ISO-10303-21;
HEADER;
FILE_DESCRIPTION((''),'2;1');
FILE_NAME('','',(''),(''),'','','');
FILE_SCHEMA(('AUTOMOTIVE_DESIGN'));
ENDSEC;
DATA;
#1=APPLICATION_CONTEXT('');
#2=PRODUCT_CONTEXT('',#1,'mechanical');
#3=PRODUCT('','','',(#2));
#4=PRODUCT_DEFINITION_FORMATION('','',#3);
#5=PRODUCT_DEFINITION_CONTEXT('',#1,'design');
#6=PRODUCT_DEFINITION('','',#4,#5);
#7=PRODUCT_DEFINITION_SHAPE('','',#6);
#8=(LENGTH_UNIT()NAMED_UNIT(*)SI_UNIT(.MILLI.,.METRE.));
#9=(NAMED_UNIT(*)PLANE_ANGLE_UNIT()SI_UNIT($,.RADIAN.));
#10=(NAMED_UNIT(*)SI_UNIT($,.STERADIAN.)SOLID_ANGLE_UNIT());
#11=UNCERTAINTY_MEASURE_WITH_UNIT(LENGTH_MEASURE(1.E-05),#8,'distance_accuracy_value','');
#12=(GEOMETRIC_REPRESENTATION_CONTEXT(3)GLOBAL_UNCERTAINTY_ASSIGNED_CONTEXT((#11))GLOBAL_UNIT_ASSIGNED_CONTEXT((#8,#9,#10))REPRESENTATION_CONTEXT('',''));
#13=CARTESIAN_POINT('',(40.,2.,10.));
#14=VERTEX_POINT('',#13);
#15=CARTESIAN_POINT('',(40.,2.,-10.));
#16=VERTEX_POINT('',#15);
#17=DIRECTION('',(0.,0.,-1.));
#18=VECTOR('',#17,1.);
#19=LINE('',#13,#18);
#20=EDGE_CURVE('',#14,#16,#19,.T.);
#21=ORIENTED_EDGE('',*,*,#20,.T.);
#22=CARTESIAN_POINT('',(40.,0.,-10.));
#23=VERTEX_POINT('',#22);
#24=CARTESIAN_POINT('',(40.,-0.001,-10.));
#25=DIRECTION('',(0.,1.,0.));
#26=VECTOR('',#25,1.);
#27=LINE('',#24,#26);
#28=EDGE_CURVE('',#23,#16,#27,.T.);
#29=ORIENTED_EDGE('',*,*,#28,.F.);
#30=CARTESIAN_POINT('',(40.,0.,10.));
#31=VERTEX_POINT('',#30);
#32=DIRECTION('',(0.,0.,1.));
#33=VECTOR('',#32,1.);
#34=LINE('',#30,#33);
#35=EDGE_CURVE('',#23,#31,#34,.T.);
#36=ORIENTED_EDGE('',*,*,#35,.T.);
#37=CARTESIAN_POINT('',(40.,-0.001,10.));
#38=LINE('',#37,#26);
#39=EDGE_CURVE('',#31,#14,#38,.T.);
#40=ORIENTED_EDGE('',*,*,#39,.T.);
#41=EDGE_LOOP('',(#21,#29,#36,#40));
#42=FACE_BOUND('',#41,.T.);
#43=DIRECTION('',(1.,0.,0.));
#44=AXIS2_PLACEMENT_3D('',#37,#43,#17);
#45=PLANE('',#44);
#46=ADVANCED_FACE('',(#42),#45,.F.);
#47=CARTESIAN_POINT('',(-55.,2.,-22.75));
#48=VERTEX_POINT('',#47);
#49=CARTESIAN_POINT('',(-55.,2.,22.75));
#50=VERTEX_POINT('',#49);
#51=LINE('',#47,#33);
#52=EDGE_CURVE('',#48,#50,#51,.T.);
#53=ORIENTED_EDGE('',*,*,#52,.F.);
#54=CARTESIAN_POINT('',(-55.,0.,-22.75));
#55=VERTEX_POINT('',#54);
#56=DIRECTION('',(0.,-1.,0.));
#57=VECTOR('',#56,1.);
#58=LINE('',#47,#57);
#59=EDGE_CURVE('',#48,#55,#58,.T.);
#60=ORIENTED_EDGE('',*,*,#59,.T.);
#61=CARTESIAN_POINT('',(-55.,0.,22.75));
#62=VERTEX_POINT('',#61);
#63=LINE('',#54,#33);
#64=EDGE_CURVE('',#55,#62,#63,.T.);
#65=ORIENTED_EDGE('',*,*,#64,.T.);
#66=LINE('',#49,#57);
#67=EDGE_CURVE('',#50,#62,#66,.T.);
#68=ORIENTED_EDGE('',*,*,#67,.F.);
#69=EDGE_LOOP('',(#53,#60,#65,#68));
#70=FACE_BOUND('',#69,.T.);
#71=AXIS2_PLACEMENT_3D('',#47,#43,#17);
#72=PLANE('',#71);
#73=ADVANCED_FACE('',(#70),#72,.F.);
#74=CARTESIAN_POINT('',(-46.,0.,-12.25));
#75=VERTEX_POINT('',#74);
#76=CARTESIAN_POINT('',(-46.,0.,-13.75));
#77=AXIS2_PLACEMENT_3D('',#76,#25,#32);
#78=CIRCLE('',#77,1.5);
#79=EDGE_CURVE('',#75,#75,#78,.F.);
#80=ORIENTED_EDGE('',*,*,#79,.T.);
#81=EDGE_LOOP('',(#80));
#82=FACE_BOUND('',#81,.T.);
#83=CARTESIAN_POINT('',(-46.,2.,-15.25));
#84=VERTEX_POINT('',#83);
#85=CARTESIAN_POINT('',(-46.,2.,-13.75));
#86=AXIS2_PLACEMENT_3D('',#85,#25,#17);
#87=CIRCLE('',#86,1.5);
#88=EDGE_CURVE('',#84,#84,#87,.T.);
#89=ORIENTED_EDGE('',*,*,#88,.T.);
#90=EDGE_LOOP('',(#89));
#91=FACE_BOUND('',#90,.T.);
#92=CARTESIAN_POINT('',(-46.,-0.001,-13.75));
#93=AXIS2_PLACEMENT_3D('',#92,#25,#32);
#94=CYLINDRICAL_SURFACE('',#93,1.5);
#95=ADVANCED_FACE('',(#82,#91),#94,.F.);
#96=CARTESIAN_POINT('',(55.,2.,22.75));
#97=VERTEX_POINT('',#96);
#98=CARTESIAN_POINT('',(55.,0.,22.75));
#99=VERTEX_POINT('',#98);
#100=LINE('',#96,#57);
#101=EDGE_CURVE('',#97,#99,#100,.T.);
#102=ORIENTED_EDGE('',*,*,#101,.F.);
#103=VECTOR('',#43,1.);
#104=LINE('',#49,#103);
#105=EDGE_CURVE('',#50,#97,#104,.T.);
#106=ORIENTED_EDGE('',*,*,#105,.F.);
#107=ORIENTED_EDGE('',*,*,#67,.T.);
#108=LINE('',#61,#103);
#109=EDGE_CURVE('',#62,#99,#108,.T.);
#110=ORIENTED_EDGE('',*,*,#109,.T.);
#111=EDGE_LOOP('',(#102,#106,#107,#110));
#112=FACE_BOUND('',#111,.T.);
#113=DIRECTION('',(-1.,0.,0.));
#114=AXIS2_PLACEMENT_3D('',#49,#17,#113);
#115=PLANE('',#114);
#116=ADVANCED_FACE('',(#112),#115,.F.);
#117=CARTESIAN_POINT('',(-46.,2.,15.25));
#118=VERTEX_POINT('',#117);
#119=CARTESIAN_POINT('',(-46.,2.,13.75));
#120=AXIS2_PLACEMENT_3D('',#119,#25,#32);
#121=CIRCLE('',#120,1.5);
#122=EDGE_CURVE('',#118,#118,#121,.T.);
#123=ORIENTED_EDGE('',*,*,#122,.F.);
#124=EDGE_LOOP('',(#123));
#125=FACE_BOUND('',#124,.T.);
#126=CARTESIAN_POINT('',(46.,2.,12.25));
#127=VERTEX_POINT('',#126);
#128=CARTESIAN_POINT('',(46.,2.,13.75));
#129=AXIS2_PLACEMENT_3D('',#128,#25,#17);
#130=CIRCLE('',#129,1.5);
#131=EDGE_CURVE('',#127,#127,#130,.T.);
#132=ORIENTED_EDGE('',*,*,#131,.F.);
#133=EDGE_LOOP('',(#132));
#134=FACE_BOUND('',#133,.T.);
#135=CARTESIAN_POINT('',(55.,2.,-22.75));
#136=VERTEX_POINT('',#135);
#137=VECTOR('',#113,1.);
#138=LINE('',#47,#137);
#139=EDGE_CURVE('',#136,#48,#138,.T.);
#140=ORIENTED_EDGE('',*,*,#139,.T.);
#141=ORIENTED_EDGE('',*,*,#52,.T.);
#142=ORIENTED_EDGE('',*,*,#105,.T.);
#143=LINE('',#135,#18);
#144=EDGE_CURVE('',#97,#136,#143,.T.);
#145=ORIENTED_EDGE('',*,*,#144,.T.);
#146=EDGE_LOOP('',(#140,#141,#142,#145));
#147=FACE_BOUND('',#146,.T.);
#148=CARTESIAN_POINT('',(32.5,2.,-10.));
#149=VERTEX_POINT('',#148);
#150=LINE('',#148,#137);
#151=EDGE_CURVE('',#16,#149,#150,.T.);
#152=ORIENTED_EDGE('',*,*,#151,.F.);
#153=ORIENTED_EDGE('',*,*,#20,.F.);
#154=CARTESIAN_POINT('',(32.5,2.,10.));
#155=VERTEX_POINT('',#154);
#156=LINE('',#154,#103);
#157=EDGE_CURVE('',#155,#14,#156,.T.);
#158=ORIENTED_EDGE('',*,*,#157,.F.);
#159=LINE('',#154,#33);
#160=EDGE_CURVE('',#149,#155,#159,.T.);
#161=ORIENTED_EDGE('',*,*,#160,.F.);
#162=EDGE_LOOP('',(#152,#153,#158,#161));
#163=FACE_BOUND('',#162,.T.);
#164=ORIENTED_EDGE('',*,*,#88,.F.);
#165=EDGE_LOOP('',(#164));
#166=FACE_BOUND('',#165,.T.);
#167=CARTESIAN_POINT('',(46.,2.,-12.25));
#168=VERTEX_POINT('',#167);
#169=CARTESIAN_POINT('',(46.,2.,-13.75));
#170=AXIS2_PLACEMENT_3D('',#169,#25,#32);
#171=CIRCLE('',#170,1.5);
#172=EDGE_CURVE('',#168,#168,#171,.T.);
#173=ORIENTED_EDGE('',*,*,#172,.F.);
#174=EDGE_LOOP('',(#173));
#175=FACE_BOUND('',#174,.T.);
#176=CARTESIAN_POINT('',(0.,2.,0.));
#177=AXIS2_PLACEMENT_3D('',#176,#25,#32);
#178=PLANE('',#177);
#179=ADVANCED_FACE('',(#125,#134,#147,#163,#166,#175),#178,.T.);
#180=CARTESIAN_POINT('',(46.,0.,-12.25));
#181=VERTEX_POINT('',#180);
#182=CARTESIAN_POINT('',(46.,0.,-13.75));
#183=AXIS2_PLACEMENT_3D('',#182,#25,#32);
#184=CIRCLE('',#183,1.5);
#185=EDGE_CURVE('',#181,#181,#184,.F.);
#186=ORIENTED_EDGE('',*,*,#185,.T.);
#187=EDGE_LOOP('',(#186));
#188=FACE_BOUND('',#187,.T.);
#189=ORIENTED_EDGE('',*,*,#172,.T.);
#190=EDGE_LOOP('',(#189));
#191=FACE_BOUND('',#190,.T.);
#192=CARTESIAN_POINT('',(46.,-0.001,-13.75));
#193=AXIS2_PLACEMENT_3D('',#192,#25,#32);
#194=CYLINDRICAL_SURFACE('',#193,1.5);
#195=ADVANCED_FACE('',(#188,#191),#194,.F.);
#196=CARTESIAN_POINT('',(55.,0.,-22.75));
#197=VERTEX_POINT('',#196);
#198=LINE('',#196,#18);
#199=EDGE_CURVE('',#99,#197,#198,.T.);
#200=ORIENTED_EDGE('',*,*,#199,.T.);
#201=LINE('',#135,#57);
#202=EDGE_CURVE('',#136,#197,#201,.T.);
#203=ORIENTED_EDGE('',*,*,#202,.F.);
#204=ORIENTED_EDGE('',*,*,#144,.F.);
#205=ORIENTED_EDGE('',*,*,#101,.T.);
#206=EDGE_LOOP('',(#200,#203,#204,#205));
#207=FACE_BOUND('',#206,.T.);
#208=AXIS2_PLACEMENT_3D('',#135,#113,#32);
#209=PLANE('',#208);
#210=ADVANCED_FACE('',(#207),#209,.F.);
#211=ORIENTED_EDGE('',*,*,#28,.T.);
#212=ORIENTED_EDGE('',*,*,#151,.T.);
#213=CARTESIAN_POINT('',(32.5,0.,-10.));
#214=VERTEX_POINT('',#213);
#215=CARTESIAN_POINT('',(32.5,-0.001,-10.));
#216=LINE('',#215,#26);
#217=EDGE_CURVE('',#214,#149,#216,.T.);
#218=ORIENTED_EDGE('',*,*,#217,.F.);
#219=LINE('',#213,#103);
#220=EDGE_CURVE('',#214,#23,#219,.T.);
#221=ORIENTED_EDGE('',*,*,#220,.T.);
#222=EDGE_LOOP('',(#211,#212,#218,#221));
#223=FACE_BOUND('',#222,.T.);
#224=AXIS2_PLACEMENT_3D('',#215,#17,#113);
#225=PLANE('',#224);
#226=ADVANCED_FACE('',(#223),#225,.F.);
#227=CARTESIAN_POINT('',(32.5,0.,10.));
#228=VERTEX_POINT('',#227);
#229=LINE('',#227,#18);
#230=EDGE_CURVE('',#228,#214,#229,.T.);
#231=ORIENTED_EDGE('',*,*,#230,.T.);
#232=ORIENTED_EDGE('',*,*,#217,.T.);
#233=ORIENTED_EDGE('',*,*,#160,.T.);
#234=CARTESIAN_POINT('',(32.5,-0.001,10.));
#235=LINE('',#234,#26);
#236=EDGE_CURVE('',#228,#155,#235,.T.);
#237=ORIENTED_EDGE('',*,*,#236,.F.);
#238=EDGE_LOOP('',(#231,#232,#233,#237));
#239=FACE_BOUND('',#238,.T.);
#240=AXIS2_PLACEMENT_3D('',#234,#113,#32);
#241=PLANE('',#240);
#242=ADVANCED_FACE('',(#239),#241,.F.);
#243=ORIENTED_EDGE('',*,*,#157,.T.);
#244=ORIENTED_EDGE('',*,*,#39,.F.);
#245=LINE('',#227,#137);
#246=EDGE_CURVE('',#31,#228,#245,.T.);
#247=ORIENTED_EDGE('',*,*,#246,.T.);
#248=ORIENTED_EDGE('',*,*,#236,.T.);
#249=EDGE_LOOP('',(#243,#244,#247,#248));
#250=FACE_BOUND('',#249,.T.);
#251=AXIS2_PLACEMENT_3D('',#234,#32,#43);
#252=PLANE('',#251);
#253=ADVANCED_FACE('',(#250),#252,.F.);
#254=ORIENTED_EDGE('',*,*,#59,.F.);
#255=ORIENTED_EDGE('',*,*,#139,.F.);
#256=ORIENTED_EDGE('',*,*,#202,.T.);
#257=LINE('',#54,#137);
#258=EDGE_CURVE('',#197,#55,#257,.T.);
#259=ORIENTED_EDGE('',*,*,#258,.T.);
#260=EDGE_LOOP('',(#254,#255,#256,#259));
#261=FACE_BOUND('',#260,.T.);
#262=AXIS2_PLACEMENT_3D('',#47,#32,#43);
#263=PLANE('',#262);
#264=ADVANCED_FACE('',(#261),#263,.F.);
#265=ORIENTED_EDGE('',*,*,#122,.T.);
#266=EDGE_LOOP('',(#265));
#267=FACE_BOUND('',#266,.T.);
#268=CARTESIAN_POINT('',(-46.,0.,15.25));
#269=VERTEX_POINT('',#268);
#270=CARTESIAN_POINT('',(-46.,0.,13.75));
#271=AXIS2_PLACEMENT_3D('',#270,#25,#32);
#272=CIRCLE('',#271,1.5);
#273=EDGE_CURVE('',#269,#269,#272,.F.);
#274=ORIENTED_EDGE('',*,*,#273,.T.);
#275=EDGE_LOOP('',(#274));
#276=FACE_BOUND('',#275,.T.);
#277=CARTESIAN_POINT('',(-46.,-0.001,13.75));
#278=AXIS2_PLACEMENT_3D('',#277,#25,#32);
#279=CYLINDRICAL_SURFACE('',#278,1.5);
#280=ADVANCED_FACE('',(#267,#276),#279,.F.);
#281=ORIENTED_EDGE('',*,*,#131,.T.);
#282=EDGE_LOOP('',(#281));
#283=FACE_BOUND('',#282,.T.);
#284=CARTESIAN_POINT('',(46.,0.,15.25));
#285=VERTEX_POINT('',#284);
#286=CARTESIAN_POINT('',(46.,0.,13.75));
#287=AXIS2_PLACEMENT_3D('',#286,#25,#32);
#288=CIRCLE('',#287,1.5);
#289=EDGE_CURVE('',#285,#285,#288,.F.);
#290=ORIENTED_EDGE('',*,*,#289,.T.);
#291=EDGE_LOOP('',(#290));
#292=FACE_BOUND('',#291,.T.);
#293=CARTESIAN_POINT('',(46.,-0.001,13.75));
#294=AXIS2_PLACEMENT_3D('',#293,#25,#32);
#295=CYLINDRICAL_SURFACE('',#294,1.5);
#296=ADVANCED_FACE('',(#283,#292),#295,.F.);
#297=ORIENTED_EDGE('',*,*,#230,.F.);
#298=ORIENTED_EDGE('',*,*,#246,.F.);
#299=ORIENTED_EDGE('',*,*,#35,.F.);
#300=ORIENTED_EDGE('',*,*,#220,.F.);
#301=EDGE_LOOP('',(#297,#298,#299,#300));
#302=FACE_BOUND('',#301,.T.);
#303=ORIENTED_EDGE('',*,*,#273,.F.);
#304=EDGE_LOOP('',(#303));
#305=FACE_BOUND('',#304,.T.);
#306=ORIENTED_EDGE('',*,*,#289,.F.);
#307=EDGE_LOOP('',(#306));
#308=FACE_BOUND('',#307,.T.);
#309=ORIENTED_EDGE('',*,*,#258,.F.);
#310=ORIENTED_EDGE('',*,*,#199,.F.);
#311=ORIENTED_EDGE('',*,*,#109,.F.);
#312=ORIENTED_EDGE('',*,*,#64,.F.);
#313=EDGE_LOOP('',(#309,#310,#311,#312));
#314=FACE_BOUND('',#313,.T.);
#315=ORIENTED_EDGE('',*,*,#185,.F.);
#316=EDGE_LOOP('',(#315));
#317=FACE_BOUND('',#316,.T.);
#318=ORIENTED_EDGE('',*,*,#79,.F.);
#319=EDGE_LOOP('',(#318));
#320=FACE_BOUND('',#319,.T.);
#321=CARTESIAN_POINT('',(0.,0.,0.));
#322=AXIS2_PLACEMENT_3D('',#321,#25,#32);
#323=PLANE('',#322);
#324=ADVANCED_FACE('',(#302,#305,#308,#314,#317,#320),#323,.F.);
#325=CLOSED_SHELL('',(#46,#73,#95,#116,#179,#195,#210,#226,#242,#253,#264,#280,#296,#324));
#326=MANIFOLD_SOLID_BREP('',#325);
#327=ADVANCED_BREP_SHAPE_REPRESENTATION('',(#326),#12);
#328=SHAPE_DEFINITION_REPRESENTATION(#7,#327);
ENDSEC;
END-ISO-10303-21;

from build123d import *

# Parameters (mm, degrees)
SKETCH1_W           = 110
SKETCH1_H           = 45.5
BOSS_EXTRUDE1_DEPTH = 2
CUT_EXTRUDE1_REACH  = 61.553
SKETCH2_R           = 1.5
SKETCH2_W           = 7.5
SKETCH2_H           = 20


with BuildPart() as part:
    # Sketch1 → Boss-Extrude1 (new body)
    with BuildSketch(Plane(origin=(0, 0, 0), x_dir=(1, 0, 0), z_dir=(0, 1, 0))):
        Rectangle(SKETCH1_W, SKETCH1_H)
    extrude(amount=BOSS_EXTRUDE1_DEPTH)

    # Sketch2 → Cut-Extrude1 (cut, up to next)
    with BuildSketch(Plane(origin=(0, 2, 0), x_dir=(1, 0, 0), z_dir=(0, 1, 0)), mode=Mode.PRIVATE) as cut_extrude1_sk1:
        with Locations(Location((-46, -13.75, 0), (0, 0, 270))):
            Circle(SKETCH2_R)
    cut_extrude1_tool1 = extrude(cut_extrude1_sk1.sketch, amount=-CUT_EXTRUDE1_REACH, mode=Mode.PRIVATE) & part.part
    # Sketch2 → Cut-Extrude1 (cut, up to next)
    with BuildSketch(Plane(origin=(0, 2, 0), x_dir=(1, 0, 0), z_dir=(0, 1, 0)), mode=Mode.PRIVATE) as cut_extrude1_sk2:
        with Locations(Location((-46, 13.75, 0), (0, 0, 270))):
            Circle(SKETCH2_R)
    cut_extrude1_tool2 = extrude(cut_extrude1_sk2.sketch, amount=-CUT_EXTRUDE1_REACH, mode=Mode.PRIVATE) & part.part
    # Sketch2 → Cut-Extrude1 (cut, up to next)
    with BuildSketch(Plane(origin=(0, 2, 0), x_dir=(1, 0, 0), z_dir=(0, 1, 0)), mode=Mode.PRIVATE) as cut_extrude1_sk3:
        with Locations(Location((46, 13.75, 0), (0, 0, 270))):
            Circle(SKETCH2_R)
    cut_extrude1_tool3 = extrude(cut_extrude1_sk3.sketch, amount=-CUT_EXTRUDE1_REACH, mode=Mode.PRIVATE) & part.part
    # Sketch2 → Cut-Extrude1 (cut, up to next)
    with BuildSketch(Plane(origin=(0, 2, 0), x_dir=(1, 0, 0), z_dir=(0, 1, 0)), mode=Mode.PRIVATE) as cut_extrude1_sk4:
        with Locations(Location((46, -13.75, 0), (0, 0, 270))):
            Circle(SKETCH2_R)
    cut_extrude1_tool4 = extrude(cut_extrude1_sk4.sketch, amount=-CUT_EXTRUDE1_REACH, mode=Mode.PRIVATE) & part.part
    # Sketch2 → Cut-Extrude1 (cut, up to next)
    with BuildSketch(Plane(origin=(0, 2, 0), x_dir=(1, 0, 0), z_dir=(0, 1, 0)), mode=Mode.PRIVATE) as cut_extrude1_sk5:
        with Locations((36.25, 0)):
            Rectangle(SKETCH2_W, SKETCH2_H)
    cut_extrude1_tool5 = extrude(cut_extrude1_sk5.sketch, amount=-CUT_EXTRUDE1_REACH, mode=Mode.PRIVATE) & part.part
    add(cut_extrude1_tool1.solids().sort_by_distance((-46, 2, 13.75))[0], mode=Mode.SUBTRACT)
    add(cut_extrude1_tool2.solids().sort_by_distance((-46, 2, -13.75))[0], mode=Mode.SUBTRACT)
    add(cut_extrude1_tool3.solids().sort_by_distance((46, 2, -13.75))[0], mode=Mode.SUBTRACT)
    add(cut_extrude1_tool4.solids().sort_by_distance((46, 2, 13.75))[0], mode=Mode.SUBTRACT)
    add(cut_extrude1_tool5.solids().sort_by_distance((36.25, 2, 0))[0], mode=Mode.SUBTRACT)


solid = part.part
